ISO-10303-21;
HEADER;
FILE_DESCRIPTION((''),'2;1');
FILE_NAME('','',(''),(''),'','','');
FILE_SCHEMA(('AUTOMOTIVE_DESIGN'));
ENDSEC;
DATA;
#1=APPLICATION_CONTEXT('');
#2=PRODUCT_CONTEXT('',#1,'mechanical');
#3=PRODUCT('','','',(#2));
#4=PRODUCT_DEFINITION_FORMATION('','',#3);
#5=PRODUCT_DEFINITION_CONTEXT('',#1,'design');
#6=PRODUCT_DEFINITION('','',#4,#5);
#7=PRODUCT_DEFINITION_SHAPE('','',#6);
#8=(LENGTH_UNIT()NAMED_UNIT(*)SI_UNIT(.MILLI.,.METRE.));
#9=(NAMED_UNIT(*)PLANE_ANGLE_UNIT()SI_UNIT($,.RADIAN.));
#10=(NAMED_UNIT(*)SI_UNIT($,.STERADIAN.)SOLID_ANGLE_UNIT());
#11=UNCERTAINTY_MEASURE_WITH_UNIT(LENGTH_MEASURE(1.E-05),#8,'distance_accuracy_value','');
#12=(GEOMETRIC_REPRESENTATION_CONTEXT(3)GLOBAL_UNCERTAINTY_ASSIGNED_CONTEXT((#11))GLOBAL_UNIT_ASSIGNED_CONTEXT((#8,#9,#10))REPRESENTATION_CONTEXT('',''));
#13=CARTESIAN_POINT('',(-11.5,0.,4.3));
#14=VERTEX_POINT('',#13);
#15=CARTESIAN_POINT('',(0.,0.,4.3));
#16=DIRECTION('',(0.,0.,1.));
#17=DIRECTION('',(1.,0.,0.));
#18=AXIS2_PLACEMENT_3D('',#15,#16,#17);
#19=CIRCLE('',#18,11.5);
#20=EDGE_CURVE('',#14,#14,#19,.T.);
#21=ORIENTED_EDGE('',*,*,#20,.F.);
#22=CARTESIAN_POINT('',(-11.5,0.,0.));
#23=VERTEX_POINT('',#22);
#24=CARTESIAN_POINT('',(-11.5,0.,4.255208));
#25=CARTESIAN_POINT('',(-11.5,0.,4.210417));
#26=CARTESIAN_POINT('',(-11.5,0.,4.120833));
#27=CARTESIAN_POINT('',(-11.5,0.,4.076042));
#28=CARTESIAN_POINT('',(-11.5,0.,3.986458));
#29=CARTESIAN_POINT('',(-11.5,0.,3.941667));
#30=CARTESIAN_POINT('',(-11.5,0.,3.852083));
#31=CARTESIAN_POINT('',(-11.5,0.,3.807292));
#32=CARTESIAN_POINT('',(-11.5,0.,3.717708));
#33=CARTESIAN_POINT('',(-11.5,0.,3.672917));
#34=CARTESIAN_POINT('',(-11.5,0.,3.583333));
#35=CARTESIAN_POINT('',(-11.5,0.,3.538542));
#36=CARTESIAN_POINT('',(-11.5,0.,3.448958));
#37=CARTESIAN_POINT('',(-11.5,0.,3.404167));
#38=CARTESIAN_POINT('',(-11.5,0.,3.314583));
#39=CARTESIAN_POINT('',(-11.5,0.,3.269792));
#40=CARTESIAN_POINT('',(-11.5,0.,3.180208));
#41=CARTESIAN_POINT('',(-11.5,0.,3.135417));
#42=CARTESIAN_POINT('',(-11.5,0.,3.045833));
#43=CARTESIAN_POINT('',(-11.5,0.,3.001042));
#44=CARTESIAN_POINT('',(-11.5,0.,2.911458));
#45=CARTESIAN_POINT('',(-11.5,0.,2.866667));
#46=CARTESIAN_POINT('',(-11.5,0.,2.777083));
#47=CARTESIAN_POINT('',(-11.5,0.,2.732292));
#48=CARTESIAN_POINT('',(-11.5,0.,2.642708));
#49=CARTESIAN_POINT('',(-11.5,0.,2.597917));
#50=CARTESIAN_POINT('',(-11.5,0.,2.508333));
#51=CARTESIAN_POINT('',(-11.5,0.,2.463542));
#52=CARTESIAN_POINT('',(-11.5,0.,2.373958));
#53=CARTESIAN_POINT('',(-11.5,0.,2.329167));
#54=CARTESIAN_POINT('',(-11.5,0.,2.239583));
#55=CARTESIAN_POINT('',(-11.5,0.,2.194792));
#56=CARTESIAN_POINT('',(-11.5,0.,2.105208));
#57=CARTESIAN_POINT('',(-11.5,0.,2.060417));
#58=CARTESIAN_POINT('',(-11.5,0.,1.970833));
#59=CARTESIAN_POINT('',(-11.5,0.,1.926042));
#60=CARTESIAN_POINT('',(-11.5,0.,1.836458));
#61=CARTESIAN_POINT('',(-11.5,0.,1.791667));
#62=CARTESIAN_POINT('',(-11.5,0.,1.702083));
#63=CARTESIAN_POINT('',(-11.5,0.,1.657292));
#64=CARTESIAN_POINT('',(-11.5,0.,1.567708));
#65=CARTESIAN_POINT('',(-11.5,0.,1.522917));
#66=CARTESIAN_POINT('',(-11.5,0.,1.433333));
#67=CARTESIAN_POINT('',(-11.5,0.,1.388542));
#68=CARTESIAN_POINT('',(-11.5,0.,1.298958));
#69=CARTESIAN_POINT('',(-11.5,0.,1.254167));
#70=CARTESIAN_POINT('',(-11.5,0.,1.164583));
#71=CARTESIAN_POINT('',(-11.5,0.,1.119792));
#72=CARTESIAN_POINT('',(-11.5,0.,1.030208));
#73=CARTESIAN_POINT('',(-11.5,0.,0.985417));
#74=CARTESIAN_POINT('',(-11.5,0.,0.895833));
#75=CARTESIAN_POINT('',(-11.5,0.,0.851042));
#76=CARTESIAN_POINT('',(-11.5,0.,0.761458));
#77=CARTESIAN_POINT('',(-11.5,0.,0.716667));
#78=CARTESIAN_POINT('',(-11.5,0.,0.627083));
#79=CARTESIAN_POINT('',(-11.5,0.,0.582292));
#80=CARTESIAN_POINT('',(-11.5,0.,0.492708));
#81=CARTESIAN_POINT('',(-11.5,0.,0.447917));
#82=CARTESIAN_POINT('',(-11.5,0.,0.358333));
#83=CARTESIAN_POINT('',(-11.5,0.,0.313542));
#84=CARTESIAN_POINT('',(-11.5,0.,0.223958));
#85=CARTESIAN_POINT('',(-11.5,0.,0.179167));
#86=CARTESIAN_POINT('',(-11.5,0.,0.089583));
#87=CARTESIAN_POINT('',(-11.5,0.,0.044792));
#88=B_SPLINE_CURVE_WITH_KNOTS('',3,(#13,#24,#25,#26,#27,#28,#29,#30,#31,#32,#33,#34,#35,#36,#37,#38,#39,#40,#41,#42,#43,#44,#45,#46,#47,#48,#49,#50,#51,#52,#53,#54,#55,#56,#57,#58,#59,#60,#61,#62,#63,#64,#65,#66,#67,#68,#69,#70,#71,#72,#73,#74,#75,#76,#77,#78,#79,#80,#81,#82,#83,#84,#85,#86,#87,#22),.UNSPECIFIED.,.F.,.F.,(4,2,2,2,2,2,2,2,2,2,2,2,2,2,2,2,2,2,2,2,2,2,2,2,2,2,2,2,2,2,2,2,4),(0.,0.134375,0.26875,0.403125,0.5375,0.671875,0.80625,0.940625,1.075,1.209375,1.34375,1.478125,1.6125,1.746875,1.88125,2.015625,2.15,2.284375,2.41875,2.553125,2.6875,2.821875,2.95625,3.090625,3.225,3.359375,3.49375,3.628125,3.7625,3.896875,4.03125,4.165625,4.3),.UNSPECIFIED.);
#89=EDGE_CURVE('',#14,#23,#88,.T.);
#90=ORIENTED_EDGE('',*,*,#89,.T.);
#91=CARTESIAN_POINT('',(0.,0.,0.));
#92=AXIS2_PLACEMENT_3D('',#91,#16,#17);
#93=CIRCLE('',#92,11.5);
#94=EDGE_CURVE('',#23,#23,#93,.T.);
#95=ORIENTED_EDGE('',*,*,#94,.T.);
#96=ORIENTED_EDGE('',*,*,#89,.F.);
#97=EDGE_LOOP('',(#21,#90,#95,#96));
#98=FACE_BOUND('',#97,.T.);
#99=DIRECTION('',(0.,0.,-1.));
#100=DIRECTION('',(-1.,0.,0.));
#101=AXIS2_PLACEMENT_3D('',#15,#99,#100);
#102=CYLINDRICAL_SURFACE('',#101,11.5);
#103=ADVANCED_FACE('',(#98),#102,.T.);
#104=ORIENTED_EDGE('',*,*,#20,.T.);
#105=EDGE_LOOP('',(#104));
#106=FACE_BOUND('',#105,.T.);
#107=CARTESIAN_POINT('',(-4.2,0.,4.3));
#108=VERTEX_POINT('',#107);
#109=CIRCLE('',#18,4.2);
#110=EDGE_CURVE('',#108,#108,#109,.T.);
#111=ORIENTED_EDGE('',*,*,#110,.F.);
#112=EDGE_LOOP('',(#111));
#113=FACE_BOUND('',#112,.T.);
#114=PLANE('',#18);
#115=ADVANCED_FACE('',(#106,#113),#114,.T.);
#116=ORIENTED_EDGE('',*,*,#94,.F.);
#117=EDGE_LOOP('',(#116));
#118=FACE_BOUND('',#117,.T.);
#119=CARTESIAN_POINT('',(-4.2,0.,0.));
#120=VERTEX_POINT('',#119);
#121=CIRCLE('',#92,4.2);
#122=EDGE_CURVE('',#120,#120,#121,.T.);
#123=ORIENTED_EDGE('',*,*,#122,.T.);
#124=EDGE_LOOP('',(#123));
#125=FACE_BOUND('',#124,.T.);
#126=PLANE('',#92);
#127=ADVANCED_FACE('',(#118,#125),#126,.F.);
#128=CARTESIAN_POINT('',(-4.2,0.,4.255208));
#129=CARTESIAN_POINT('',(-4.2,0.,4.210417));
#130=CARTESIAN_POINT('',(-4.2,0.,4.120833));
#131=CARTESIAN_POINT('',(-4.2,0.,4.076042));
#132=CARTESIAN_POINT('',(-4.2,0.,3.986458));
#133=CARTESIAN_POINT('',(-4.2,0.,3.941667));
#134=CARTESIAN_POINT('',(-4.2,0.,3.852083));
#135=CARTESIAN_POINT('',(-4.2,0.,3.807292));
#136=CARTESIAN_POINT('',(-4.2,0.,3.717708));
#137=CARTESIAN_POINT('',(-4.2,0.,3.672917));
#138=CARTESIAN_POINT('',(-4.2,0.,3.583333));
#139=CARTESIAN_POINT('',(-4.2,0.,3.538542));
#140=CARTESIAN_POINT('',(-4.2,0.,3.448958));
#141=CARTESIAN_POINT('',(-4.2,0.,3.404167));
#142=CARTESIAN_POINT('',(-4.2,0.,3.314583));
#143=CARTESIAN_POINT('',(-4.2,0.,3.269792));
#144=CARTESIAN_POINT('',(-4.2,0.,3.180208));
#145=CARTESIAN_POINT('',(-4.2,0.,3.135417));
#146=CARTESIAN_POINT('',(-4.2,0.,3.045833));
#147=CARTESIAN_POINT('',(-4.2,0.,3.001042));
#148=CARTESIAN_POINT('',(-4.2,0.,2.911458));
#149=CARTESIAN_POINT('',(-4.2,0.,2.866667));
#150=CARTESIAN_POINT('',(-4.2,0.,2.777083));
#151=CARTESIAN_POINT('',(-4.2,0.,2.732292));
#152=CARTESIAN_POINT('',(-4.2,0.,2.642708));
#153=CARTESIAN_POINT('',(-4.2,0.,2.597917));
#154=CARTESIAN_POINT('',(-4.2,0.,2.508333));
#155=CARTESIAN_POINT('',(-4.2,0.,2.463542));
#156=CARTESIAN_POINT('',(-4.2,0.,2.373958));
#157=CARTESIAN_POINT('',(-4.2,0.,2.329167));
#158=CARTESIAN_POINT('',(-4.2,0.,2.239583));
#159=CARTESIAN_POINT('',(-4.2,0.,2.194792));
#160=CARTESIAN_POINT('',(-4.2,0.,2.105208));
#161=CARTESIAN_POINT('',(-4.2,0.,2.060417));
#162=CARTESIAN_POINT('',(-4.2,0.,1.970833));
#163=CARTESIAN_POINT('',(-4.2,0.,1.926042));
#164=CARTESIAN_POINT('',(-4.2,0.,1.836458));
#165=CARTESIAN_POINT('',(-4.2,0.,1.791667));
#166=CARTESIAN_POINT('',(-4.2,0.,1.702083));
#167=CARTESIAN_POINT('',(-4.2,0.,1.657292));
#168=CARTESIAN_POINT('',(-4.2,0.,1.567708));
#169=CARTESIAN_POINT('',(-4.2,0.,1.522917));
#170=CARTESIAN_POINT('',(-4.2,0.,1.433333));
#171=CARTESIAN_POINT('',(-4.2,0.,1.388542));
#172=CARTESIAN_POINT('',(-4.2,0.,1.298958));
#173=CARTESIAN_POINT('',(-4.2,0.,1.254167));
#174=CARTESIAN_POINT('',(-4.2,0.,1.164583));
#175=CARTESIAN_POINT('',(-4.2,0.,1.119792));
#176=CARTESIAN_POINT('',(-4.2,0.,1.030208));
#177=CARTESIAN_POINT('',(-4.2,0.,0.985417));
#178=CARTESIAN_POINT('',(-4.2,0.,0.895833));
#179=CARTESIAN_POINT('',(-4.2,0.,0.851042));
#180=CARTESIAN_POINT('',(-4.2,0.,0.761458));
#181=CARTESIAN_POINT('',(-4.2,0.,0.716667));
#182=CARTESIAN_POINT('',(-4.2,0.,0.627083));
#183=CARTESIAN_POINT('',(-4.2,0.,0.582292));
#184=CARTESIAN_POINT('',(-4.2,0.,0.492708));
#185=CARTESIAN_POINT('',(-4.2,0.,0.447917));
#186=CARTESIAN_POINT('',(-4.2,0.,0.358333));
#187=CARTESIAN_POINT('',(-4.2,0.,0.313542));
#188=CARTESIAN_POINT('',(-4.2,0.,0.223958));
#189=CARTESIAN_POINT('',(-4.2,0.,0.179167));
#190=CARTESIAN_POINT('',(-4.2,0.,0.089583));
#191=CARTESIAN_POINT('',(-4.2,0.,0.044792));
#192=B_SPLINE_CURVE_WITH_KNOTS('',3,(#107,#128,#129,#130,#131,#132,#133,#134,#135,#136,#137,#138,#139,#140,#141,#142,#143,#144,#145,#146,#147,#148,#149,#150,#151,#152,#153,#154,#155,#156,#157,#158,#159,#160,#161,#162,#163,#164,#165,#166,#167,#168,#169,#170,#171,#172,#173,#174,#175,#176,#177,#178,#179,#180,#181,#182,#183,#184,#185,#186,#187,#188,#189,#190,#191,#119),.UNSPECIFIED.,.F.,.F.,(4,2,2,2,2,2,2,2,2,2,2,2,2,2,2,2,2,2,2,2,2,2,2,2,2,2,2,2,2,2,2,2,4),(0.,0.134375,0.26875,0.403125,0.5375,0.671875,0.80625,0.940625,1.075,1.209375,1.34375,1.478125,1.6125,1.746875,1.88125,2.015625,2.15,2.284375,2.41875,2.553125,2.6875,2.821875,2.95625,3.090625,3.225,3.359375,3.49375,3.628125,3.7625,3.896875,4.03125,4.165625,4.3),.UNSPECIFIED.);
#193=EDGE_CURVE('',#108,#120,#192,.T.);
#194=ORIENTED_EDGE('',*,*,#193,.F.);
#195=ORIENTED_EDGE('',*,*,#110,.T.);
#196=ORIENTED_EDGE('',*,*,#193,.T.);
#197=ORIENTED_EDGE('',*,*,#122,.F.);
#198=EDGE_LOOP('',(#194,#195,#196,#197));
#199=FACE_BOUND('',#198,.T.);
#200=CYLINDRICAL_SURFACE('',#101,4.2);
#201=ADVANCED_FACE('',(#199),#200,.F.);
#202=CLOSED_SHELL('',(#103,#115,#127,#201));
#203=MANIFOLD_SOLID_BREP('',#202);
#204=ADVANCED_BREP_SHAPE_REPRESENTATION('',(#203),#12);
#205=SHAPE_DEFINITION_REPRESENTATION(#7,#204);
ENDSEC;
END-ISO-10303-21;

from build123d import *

# Parameters (mm, degrees)
SKETCH1_R           = 11.5
SKETCH1_R_2         = 4.2
BOSS_EXTRUDE1_DEPTH = 4.3


with BuildPart() as part:
    # Sketch1 → Boss-Extrude1 (new body)
    with BuildSketch(Plane.XY):
        Circle(SKETCH1_R)
        Circle(SKETCH1_R_2, mode=Mode.SUBTRACT)
    extrude(amount=BOSS_EXTRUDE1_DEPTH)


solid = part.part
